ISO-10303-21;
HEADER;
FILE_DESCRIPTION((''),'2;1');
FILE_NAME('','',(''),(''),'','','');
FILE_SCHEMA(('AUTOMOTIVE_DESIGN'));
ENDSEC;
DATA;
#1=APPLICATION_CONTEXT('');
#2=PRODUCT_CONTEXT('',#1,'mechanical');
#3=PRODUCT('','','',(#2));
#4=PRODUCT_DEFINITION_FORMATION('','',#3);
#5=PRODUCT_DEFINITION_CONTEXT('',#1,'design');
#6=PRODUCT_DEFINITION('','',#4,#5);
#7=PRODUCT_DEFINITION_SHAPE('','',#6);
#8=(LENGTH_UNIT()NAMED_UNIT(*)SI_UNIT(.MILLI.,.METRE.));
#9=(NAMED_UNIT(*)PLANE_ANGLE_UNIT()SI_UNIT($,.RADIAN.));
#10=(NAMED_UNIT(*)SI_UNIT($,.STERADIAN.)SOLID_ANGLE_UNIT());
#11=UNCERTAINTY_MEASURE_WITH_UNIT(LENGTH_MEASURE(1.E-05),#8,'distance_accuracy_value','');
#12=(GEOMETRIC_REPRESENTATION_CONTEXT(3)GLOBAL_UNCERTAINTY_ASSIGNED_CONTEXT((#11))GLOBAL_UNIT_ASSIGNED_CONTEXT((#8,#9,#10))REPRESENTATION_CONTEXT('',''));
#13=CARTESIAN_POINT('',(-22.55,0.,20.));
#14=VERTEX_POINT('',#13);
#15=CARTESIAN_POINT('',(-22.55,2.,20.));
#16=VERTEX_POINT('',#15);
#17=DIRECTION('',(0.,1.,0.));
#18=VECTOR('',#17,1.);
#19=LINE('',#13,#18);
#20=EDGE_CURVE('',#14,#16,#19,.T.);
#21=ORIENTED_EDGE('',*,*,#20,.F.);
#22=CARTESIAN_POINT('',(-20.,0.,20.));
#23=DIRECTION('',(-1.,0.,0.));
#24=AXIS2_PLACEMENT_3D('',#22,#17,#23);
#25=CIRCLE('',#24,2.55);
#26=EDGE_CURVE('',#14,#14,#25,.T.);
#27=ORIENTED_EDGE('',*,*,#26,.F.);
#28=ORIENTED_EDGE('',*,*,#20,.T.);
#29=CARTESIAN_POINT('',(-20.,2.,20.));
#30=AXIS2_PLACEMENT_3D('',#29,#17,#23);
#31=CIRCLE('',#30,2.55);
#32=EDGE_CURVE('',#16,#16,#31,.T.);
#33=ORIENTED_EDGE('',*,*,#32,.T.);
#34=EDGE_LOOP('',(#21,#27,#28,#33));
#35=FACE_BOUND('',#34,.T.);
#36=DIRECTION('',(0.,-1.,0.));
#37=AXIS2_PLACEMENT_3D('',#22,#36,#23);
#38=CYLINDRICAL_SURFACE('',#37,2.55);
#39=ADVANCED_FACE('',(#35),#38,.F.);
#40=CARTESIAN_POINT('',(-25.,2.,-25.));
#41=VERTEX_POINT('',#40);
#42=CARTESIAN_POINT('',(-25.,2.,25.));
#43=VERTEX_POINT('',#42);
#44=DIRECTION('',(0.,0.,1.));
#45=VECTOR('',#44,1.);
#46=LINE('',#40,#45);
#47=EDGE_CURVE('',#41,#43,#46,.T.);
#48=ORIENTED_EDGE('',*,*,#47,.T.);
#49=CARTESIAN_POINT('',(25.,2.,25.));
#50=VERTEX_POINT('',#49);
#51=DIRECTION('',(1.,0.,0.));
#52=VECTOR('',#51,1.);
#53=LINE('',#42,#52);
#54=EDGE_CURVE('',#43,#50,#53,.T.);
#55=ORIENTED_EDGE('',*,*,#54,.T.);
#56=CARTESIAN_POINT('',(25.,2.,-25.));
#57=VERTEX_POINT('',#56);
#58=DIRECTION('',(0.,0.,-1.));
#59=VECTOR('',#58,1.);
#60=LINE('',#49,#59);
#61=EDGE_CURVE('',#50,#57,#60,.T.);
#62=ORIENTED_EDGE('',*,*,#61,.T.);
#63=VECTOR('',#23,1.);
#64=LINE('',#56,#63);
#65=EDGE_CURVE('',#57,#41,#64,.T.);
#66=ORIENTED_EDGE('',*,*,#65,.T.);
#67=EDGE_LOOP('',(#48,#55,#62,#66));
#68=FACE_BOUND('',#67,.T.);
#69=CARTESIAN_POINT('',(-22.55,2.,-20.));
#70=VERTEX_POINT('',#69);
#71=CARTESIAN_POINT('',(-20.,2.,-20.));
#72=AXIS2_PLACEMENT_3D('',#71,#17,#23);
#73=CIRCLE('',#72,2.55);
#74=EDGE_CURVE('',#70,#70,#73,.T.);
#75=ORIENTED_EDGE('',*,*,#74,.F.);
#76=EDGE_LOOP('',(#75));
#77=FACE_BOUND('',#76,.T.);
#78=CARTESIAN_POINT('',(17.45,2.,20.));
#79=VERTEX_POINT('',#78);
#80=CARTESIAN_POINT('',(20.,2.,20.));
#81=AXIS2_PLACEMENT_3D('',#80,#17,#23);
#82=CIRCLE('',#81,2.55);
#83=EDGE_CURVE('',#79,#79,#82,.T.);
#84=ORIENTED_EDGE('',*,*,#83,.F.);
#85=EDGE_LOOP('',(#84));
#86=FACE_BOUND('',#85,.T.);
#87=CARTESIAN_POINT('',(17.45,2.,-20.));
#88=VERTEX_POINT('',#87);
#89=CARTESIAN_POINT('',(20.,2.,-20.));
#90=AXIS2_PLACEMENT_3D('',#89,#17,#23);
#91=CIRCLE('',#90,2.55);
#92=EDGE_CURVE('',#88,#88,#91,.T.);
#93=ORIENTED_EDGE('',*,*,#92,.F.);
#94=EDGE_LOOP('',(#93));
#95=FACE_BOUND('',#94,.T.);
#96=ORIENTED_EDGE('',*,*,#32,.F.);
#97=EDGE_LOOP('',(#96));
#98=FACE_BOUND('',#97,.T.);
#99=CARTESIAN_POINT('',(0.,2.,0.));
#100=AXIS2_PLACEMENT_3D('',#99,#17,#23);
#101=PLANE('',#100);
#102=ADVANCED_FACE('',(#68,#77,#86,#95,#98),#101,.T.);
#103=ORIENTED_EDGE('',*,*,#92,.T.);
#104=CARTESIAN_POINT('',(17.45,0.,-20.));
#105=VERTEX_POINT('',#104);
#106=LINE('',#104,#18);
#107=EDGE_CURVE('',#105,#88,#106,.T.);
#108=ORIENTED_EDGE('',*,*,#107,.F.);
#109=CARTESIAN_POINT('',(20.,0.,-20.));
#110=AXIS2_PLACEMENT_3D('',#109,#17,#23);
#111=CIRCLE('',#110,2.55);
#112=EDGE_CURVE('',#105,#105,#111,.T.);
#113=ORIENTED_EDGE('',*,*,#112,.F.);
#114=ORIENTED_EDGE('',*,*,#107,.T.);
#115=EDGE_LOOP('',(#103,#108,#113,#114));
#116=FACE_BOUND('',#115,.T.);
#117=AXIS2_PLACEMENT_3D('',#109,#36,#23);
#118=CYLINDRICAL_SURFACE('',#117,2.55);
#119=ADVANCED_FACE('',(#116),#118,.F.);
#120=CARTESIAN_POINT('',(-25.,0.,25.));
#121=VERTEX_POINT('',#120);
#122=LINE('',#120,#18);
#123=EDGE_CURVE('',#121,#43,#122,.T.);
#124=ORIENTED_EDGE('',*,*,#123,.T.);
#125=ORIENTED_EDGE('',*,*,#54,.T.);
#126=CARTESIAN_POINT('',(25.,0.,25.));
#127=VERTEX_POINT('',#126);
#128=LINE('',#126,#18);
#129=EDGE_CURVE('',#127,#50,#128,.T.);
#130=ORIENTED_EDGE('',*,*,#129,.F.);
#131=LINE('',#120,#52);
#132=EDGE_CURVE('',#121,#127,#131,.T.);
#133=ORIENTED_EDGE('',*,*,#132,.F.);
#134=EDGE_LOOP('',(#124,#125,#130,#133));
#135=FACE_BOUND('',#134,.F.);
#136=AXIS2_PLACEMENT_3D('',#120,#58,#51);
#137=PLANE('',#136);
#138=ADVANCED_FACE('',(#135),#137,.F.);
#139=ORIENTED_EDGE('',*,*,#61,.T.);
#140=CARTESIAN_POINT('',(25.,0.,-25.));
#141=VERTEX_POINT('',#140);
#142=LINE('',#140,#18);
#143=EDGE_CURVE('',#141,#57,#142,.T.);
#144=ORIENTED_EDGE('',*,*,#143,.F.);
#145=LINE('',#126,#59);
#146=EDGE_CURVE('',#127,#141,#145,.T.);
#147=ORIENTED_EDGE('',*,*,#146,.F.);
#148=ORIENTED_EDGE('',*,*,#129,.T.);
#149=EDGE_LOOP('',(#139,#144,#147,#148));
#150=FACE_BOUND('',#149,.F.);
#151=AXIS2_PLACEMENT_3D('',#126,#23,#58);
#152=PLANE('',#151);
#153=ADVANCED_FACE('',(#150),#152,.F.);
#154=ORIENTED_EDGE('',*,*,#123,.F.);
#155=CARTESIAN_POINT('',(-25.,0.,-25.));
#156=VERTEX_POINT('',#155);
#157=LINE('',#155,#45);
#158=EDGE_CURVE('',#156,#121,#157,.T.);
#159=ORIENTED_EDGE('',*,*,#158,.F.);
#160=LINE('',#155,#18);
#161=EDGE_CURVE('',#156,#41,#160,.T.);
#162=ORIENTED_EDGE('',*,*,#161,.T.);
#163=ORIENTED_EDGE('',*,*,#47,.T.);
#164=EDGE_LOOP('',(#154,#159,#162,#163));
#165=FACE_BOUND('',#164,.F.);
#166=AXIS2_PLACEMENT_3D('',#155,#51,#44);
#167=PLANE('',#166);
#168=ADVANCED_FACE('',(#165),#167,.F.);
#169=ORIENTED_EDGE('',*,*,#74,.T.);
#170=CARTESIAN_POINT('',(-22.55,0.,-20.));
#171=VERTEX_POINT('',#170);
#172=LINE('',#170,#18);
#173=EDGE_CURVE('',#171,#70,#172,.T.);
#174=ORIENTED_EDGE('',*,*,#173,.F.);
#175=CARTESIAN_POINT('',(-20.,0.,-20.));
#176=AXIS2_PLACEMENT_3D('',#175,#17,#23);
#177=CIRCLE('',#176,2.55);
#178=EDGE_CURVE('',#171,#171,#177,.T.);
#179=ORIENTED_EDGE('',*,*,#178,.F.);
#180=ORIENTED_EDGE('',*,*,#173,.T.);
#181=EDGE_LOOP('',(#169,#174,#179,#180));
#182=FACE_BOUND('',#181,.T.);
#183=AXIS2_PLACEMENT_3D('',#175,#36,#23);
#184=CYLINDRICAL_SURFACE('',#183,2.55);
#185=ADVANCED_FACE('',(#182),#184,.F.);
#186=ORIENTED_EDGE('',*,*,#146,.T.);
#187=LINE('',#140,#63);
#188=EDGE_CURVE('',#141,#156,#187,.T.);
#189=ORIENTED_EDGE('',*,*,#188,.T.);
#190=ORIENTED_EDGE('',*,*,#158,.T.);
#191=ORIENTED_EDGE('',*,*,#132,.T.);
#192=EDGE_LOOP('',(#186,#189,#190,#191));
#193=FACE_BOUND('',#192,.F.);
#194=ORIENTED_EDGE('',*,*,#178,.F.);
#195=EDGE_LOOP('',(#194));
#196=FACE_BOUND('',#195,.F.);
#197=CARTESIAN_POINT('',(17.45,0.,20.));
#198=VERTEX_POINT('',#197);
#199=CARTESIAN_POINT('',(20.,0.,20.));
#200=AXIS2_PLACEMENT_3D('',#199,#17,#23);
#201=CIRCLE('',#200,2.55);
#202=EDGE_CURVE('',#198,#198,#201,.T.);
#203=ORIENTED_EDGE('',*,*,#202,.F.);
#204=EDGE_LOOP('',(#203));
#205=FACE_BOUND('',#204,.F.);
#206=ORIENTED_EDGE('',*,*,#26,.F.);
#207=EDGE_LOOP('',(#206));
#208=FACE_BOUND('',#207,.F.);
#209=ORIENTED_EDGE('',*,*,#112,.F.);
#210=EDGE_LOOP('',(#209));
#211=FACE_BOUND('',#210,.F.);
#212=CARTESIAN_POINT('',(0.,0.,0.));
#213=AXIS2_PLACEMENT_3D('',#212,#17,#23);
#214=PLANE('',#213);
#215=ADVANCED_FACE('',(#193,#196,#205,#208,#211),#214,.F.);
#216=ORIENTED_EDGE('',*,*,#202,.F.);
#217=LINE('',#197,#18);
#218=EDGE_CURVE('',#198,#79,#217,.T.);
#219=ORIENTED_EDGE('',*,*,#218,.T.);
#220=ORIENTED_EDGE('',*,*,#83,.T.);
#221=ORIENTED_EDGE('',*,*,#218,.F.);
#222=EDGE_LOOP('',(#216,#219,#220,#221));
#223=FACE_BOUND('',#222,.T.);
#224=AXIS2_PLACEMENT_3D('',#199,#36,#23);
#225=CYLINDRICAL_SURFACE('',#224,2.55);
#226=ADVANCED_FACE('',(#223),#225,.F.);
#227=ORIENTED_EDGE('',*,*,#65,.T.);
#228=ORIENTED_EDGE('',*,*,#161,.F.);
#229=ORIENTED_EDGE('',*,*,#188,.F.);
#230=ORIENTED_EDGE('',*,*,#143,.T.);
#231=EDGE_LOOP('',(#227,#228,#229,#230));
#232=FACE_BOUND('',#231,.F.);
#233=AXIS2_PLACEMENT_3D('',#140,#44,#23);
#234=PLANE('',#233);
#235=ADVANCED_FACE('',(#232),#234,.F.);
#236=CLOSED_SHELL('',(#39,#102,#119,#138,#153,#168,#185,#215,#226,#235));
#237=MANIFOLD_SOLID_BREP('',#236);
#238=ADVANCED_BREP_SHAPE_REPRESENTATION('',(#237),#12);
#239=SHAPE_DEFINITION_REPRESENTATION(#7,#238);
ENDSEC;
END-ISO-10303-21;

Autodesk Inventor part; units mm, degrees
ref_plane "YZ Plane" through (0, 0, 0) normal (1, 0, 0) x (0, 1, 0)
ref_plane "XZ Plane" through (0, 0, 0) normal (0, 1, 0) x (-1, 0, 0)
ref_plane "XY Plane" through (0, 0, 0) normal (0, 0, 1) x (1, 0, 0)
sketch "Sketch1" plane through (0, 0, 0) normal (0, 1, 0) x (-1, 0, 0)
  line L0 (25, 25) -> (-25, 25)
  line L1 (-25, 25) -> (-25, -25)
  line L2 (-25, -25) -> (25, -25)
  line L3 (25, -25) -> (25, 25)
  line L4 (25, 25) -> (-25, -25) construction
  line L5 (-25, 25) -> (25, -25) construction
  line L6 (20, 20) -> (-20, 20) construction
  line L7 (-20, 20) -> (-20, -20) construction
  line L8 (-20, -20) -> (20, -20) construction
  line L9 (20, -20) -> (20, 20) construction
  line L10 (20, 20) -> (-20, -20) construction
  line L11 (-20, 20) -> (20, -20) construction
  circle A0 centre (20, 20) radius 2.55
  circle A1 centre (20, -20) radius 2.55
  circle A2 centre (-20, -20) radius 2.55
  circle A3 centre (-20, 20) radius 2.55
  point P0 (0, 0)
  dimension "d0" = 50
  dimension "d1" = 50
  dimension "d2" = 40
  dimension "d3" = 40
  dimension "d4" = 5.1
  dimension "d5" = 5.1
  dimension "d6" = 5.1
  dimension "d7" = 5.1
extrude "Extrusion1" add sketch "Sketch1" along normal blind 2
properties part number "arena_top_bottom"
